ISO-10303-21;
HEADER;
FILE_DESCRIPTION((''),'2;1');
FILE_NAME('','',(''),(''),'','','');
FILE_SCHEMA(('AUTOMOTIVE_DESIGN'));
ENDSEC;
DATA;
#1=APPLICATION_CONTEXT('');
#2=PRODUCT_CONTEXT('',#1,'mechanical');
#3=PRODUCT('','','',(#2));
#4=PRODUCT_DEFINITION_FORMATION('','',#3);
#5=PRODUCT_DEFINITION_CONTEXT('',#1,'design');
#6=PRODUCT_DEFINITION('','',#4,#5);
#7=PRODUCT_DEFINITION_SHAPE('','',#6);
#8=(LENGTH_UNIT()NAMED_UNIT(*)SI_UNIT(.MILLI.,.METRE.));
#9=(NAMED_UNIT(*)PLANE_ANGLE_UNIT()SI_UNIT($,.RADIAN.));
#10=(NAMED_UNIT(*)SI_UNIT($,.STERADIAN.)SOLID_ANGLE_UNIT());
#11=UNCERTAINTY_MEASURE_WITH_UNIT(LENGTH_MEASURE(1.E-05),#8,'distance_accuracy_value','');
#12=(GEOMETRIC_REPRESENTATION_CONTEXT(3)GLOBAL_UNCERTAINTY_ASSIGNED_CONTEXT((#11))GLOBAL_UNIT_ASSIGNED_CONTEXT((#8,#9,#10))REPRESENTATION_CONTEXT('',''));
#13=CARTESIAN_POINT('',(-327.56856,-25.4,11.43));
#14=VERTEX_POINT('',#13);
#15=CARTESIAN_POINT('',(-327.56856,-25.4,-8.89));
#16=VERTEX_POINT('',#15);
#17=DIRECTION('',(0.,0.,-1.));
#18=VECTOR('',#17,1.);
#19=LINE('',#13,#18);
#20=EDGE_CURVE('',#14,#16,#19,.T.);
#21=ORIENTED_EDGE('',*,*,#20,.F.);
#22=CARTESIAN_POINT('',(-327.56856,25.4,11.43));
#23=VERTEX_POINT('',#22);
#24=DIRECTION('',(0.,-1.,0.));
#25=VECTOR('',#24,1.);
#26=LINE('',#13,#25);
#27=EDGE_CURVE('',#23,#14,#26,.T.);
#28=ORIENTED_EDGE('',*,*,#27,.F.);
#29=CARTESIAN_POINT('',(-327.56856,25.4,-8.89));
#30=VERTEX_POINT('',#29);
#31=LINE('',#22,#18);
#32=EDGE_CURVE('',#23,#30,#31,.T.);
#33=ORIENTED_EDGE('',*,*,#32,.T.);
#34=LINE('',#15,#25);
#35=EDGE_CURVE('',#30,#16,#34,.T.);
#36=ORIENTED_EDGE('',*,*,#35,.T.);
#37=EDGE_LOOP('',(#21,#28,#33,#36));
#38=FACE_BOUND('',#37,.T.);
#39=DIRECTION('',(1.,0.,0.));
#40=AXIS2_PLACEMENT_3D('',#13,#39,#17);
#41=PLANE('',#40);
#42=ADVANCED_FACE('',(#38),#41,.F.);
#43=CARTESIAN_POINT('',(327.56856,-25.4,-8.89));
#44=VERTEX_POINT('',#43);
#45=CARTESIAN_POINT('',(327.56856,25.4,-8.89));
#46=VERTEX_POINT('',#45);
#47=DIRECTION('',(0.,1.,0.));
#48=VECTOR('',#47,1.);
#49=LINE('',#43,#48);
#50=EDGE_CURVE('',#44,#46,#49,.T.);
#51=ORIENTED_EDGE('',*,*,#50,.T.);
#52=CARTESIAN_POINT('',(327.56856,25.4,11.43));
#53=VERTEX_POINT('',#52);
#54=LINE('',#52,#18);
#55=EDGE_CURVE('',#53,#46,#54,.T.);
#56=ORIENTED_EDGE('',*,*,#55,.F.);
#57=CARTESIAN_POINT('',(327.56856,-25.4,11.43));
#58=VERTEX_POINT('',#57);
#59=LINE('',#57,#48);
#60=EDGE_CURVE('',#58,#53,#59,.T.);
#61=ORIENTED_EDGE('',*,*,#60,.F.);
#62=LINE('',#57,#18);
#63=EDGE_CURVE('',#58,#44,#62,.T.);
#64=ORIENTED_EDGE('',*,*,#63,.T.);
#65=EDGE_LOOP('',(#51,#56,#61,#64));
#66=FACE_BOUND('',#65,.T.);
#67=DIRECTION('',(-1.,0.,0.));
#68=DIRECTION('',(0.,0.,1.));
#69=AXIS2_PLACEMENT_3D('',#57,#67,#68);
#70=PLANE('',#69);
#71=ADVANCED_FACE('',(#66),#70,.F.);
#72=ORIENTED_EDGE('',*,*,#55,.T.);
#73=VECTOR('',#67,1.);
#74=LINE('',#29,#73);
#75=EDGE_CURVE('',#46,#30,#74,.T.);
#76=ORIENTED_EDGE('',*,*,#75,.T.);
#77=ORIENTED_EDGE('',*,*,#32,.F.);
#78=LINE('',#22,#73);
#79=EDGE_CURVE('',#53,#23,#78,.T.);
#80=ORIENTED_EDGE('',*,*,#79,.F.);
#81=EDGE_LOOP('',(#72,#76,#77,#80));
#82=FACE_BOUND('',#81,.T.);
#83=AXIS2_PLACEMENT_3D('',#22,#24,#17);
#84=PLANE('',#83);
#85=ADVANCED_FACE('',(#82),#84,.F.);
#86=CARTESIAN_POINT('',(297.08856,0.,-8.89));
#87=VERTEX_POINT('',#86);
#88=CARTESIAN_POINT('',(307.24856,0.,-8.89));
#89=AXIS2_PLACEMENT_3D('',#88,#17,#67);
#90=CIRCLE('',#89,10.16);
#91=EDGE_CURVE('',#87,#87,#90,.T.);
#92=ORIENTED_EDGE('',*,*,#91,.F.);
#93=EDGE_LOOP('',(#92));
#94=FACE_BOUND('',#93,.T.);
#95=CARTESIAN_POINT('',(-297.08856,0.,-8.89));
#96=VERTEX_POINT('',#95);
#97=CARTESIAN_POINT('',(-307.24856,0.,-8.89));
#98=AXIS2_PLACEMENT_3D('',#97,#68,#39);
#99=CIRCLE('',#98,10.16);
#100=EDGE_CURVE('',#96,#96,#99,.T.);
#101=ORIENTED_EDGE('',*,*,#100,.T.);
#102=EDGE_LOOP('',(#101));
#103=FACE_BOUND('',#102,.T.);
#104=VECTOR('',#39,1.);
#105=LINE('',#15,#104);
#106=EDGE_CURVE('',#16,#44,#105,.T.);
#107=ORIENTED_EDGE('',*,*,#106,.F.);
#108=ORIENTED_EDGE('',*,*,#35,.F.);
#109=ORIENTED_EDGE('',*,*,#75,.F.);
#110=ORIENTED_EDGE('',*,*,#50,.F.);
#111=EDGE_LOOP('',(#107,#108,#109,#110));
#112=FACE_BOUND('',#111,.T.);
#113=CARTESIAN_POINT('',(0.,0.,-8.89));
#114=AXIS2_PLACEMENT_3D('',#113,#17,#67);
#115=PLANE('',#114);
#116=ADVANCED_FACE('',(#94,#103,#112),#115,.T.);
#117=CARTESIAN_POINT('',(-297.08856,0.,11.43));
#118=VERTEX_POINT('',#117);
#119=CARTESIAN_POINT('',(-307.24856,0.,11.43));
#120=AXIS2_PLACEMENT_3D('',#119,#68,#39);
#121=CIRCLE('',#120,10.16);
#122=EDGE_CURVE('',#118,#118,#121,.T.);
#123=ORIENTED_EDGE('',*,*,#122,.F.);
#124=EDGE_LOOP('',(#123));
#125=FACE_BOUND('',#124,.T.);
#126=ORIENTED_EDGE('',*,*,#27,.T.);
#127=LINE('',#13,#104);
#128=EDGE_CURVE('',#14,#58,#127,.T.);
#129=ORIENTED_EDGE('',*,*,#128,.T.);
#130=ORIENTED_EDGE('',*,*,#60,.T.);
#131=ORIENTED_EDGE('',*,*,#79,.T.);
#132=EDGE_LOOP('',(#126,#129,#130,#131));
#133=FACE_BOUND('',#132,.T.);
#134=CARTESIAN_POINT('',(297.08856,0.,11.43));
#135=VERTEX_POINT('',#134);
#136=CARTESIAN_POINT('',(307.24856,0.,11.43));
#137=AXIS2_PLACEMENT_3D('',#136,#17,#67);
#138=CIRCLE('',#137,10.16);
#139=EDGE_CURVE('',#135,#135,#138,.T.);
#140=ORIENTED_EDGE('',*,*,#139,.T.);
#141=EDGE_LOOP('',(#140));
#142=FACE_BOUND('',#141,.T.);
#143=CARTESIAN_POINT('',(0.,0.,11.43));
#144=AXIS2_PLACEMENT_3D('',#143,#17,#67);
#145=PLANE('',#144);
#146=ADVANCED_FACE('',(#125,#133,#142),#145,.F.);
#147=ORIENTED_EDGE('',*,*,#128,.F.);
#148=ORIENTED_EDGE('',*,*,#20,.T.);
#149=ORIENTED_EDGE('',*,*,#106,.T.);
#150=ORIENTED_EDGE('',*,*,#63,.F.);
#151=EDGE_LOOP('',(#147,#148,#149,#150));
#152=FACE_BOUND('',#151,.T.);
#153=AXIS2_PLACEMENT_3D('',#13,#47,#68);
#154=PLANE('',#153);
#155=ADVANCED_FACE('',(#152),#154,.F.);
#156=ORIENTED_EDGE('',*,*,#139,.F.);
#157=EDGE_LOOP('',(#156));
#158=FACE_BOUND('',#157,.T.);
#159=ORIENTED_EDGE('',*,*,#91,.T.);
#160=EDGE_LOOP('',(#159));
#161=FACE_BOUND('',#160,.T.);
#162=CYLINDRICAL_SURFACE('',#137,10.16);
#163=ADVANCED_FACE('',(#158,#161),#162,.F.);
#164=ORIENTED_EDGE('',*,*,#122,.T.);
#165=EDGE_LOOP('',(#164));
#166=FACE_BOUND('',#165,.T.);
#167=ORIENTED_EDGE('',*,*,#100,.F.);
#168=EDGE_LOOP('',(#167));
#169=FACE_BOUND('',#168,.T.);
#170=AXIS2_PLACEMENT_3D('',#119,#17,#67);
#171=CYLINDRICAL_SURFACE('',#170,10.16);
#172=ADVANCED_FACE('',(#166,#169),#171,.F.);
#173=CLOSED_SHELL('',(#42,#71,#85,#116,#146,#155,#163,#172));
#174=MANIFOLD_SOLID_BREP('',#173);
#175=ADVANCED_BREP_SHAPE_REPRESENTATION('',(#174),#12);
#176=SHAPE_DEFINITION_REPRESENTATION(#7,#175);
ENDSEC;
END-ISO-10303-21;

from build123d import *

# Parameters (mm, degrees)
SKETCH1_W           = 81.89214
SKETCH1_H           = 6.35
BOSS_EXTRUDE1_DEPTH = 2.54
SKETCH3_R           = 1.27
CUT_EXTRUDE1_DEPTH  = 42.147452818
SCALE1_SCALE        = 8


with BuildPart() as part:
    # Sketch1 → Boss-Extrude1 (new body)
    with BuildSketch(Plane.XY):
        Rectangle(SKETCH1_W, SKETCH1_H)
    extrude(amount=BOSS_EXTRUDE1_DEPTH)

    # Sketch3 → Cut-Extrude1 (cut, through all)
    with BuildSketch(Plane.XY):
        with Locations((-38.40607, 0)):
            Circle(SKETCH3_R)
    cut_extrude1 = extrude(amount=CUT_EXTRUDE1_DEPTH, mode=Mode.SUBTRACT)

    # Mirror1: Cut-Extrude1 across plane
    add(cut_extrude1.mirror(Plane(origin=(0, 0, 0), x_dir=(0, 0, 1), z_dir=(1, 0, 0))), mode=Mode.SUBTRACT)


with BuildPart() as part_1:
    # Scale1: scaled about (0, 0, 1.27)
    add(part.part.scale(SCALE1_SCALE).moved(Location((0, 0, -8.89))))


solid = part_1.part
